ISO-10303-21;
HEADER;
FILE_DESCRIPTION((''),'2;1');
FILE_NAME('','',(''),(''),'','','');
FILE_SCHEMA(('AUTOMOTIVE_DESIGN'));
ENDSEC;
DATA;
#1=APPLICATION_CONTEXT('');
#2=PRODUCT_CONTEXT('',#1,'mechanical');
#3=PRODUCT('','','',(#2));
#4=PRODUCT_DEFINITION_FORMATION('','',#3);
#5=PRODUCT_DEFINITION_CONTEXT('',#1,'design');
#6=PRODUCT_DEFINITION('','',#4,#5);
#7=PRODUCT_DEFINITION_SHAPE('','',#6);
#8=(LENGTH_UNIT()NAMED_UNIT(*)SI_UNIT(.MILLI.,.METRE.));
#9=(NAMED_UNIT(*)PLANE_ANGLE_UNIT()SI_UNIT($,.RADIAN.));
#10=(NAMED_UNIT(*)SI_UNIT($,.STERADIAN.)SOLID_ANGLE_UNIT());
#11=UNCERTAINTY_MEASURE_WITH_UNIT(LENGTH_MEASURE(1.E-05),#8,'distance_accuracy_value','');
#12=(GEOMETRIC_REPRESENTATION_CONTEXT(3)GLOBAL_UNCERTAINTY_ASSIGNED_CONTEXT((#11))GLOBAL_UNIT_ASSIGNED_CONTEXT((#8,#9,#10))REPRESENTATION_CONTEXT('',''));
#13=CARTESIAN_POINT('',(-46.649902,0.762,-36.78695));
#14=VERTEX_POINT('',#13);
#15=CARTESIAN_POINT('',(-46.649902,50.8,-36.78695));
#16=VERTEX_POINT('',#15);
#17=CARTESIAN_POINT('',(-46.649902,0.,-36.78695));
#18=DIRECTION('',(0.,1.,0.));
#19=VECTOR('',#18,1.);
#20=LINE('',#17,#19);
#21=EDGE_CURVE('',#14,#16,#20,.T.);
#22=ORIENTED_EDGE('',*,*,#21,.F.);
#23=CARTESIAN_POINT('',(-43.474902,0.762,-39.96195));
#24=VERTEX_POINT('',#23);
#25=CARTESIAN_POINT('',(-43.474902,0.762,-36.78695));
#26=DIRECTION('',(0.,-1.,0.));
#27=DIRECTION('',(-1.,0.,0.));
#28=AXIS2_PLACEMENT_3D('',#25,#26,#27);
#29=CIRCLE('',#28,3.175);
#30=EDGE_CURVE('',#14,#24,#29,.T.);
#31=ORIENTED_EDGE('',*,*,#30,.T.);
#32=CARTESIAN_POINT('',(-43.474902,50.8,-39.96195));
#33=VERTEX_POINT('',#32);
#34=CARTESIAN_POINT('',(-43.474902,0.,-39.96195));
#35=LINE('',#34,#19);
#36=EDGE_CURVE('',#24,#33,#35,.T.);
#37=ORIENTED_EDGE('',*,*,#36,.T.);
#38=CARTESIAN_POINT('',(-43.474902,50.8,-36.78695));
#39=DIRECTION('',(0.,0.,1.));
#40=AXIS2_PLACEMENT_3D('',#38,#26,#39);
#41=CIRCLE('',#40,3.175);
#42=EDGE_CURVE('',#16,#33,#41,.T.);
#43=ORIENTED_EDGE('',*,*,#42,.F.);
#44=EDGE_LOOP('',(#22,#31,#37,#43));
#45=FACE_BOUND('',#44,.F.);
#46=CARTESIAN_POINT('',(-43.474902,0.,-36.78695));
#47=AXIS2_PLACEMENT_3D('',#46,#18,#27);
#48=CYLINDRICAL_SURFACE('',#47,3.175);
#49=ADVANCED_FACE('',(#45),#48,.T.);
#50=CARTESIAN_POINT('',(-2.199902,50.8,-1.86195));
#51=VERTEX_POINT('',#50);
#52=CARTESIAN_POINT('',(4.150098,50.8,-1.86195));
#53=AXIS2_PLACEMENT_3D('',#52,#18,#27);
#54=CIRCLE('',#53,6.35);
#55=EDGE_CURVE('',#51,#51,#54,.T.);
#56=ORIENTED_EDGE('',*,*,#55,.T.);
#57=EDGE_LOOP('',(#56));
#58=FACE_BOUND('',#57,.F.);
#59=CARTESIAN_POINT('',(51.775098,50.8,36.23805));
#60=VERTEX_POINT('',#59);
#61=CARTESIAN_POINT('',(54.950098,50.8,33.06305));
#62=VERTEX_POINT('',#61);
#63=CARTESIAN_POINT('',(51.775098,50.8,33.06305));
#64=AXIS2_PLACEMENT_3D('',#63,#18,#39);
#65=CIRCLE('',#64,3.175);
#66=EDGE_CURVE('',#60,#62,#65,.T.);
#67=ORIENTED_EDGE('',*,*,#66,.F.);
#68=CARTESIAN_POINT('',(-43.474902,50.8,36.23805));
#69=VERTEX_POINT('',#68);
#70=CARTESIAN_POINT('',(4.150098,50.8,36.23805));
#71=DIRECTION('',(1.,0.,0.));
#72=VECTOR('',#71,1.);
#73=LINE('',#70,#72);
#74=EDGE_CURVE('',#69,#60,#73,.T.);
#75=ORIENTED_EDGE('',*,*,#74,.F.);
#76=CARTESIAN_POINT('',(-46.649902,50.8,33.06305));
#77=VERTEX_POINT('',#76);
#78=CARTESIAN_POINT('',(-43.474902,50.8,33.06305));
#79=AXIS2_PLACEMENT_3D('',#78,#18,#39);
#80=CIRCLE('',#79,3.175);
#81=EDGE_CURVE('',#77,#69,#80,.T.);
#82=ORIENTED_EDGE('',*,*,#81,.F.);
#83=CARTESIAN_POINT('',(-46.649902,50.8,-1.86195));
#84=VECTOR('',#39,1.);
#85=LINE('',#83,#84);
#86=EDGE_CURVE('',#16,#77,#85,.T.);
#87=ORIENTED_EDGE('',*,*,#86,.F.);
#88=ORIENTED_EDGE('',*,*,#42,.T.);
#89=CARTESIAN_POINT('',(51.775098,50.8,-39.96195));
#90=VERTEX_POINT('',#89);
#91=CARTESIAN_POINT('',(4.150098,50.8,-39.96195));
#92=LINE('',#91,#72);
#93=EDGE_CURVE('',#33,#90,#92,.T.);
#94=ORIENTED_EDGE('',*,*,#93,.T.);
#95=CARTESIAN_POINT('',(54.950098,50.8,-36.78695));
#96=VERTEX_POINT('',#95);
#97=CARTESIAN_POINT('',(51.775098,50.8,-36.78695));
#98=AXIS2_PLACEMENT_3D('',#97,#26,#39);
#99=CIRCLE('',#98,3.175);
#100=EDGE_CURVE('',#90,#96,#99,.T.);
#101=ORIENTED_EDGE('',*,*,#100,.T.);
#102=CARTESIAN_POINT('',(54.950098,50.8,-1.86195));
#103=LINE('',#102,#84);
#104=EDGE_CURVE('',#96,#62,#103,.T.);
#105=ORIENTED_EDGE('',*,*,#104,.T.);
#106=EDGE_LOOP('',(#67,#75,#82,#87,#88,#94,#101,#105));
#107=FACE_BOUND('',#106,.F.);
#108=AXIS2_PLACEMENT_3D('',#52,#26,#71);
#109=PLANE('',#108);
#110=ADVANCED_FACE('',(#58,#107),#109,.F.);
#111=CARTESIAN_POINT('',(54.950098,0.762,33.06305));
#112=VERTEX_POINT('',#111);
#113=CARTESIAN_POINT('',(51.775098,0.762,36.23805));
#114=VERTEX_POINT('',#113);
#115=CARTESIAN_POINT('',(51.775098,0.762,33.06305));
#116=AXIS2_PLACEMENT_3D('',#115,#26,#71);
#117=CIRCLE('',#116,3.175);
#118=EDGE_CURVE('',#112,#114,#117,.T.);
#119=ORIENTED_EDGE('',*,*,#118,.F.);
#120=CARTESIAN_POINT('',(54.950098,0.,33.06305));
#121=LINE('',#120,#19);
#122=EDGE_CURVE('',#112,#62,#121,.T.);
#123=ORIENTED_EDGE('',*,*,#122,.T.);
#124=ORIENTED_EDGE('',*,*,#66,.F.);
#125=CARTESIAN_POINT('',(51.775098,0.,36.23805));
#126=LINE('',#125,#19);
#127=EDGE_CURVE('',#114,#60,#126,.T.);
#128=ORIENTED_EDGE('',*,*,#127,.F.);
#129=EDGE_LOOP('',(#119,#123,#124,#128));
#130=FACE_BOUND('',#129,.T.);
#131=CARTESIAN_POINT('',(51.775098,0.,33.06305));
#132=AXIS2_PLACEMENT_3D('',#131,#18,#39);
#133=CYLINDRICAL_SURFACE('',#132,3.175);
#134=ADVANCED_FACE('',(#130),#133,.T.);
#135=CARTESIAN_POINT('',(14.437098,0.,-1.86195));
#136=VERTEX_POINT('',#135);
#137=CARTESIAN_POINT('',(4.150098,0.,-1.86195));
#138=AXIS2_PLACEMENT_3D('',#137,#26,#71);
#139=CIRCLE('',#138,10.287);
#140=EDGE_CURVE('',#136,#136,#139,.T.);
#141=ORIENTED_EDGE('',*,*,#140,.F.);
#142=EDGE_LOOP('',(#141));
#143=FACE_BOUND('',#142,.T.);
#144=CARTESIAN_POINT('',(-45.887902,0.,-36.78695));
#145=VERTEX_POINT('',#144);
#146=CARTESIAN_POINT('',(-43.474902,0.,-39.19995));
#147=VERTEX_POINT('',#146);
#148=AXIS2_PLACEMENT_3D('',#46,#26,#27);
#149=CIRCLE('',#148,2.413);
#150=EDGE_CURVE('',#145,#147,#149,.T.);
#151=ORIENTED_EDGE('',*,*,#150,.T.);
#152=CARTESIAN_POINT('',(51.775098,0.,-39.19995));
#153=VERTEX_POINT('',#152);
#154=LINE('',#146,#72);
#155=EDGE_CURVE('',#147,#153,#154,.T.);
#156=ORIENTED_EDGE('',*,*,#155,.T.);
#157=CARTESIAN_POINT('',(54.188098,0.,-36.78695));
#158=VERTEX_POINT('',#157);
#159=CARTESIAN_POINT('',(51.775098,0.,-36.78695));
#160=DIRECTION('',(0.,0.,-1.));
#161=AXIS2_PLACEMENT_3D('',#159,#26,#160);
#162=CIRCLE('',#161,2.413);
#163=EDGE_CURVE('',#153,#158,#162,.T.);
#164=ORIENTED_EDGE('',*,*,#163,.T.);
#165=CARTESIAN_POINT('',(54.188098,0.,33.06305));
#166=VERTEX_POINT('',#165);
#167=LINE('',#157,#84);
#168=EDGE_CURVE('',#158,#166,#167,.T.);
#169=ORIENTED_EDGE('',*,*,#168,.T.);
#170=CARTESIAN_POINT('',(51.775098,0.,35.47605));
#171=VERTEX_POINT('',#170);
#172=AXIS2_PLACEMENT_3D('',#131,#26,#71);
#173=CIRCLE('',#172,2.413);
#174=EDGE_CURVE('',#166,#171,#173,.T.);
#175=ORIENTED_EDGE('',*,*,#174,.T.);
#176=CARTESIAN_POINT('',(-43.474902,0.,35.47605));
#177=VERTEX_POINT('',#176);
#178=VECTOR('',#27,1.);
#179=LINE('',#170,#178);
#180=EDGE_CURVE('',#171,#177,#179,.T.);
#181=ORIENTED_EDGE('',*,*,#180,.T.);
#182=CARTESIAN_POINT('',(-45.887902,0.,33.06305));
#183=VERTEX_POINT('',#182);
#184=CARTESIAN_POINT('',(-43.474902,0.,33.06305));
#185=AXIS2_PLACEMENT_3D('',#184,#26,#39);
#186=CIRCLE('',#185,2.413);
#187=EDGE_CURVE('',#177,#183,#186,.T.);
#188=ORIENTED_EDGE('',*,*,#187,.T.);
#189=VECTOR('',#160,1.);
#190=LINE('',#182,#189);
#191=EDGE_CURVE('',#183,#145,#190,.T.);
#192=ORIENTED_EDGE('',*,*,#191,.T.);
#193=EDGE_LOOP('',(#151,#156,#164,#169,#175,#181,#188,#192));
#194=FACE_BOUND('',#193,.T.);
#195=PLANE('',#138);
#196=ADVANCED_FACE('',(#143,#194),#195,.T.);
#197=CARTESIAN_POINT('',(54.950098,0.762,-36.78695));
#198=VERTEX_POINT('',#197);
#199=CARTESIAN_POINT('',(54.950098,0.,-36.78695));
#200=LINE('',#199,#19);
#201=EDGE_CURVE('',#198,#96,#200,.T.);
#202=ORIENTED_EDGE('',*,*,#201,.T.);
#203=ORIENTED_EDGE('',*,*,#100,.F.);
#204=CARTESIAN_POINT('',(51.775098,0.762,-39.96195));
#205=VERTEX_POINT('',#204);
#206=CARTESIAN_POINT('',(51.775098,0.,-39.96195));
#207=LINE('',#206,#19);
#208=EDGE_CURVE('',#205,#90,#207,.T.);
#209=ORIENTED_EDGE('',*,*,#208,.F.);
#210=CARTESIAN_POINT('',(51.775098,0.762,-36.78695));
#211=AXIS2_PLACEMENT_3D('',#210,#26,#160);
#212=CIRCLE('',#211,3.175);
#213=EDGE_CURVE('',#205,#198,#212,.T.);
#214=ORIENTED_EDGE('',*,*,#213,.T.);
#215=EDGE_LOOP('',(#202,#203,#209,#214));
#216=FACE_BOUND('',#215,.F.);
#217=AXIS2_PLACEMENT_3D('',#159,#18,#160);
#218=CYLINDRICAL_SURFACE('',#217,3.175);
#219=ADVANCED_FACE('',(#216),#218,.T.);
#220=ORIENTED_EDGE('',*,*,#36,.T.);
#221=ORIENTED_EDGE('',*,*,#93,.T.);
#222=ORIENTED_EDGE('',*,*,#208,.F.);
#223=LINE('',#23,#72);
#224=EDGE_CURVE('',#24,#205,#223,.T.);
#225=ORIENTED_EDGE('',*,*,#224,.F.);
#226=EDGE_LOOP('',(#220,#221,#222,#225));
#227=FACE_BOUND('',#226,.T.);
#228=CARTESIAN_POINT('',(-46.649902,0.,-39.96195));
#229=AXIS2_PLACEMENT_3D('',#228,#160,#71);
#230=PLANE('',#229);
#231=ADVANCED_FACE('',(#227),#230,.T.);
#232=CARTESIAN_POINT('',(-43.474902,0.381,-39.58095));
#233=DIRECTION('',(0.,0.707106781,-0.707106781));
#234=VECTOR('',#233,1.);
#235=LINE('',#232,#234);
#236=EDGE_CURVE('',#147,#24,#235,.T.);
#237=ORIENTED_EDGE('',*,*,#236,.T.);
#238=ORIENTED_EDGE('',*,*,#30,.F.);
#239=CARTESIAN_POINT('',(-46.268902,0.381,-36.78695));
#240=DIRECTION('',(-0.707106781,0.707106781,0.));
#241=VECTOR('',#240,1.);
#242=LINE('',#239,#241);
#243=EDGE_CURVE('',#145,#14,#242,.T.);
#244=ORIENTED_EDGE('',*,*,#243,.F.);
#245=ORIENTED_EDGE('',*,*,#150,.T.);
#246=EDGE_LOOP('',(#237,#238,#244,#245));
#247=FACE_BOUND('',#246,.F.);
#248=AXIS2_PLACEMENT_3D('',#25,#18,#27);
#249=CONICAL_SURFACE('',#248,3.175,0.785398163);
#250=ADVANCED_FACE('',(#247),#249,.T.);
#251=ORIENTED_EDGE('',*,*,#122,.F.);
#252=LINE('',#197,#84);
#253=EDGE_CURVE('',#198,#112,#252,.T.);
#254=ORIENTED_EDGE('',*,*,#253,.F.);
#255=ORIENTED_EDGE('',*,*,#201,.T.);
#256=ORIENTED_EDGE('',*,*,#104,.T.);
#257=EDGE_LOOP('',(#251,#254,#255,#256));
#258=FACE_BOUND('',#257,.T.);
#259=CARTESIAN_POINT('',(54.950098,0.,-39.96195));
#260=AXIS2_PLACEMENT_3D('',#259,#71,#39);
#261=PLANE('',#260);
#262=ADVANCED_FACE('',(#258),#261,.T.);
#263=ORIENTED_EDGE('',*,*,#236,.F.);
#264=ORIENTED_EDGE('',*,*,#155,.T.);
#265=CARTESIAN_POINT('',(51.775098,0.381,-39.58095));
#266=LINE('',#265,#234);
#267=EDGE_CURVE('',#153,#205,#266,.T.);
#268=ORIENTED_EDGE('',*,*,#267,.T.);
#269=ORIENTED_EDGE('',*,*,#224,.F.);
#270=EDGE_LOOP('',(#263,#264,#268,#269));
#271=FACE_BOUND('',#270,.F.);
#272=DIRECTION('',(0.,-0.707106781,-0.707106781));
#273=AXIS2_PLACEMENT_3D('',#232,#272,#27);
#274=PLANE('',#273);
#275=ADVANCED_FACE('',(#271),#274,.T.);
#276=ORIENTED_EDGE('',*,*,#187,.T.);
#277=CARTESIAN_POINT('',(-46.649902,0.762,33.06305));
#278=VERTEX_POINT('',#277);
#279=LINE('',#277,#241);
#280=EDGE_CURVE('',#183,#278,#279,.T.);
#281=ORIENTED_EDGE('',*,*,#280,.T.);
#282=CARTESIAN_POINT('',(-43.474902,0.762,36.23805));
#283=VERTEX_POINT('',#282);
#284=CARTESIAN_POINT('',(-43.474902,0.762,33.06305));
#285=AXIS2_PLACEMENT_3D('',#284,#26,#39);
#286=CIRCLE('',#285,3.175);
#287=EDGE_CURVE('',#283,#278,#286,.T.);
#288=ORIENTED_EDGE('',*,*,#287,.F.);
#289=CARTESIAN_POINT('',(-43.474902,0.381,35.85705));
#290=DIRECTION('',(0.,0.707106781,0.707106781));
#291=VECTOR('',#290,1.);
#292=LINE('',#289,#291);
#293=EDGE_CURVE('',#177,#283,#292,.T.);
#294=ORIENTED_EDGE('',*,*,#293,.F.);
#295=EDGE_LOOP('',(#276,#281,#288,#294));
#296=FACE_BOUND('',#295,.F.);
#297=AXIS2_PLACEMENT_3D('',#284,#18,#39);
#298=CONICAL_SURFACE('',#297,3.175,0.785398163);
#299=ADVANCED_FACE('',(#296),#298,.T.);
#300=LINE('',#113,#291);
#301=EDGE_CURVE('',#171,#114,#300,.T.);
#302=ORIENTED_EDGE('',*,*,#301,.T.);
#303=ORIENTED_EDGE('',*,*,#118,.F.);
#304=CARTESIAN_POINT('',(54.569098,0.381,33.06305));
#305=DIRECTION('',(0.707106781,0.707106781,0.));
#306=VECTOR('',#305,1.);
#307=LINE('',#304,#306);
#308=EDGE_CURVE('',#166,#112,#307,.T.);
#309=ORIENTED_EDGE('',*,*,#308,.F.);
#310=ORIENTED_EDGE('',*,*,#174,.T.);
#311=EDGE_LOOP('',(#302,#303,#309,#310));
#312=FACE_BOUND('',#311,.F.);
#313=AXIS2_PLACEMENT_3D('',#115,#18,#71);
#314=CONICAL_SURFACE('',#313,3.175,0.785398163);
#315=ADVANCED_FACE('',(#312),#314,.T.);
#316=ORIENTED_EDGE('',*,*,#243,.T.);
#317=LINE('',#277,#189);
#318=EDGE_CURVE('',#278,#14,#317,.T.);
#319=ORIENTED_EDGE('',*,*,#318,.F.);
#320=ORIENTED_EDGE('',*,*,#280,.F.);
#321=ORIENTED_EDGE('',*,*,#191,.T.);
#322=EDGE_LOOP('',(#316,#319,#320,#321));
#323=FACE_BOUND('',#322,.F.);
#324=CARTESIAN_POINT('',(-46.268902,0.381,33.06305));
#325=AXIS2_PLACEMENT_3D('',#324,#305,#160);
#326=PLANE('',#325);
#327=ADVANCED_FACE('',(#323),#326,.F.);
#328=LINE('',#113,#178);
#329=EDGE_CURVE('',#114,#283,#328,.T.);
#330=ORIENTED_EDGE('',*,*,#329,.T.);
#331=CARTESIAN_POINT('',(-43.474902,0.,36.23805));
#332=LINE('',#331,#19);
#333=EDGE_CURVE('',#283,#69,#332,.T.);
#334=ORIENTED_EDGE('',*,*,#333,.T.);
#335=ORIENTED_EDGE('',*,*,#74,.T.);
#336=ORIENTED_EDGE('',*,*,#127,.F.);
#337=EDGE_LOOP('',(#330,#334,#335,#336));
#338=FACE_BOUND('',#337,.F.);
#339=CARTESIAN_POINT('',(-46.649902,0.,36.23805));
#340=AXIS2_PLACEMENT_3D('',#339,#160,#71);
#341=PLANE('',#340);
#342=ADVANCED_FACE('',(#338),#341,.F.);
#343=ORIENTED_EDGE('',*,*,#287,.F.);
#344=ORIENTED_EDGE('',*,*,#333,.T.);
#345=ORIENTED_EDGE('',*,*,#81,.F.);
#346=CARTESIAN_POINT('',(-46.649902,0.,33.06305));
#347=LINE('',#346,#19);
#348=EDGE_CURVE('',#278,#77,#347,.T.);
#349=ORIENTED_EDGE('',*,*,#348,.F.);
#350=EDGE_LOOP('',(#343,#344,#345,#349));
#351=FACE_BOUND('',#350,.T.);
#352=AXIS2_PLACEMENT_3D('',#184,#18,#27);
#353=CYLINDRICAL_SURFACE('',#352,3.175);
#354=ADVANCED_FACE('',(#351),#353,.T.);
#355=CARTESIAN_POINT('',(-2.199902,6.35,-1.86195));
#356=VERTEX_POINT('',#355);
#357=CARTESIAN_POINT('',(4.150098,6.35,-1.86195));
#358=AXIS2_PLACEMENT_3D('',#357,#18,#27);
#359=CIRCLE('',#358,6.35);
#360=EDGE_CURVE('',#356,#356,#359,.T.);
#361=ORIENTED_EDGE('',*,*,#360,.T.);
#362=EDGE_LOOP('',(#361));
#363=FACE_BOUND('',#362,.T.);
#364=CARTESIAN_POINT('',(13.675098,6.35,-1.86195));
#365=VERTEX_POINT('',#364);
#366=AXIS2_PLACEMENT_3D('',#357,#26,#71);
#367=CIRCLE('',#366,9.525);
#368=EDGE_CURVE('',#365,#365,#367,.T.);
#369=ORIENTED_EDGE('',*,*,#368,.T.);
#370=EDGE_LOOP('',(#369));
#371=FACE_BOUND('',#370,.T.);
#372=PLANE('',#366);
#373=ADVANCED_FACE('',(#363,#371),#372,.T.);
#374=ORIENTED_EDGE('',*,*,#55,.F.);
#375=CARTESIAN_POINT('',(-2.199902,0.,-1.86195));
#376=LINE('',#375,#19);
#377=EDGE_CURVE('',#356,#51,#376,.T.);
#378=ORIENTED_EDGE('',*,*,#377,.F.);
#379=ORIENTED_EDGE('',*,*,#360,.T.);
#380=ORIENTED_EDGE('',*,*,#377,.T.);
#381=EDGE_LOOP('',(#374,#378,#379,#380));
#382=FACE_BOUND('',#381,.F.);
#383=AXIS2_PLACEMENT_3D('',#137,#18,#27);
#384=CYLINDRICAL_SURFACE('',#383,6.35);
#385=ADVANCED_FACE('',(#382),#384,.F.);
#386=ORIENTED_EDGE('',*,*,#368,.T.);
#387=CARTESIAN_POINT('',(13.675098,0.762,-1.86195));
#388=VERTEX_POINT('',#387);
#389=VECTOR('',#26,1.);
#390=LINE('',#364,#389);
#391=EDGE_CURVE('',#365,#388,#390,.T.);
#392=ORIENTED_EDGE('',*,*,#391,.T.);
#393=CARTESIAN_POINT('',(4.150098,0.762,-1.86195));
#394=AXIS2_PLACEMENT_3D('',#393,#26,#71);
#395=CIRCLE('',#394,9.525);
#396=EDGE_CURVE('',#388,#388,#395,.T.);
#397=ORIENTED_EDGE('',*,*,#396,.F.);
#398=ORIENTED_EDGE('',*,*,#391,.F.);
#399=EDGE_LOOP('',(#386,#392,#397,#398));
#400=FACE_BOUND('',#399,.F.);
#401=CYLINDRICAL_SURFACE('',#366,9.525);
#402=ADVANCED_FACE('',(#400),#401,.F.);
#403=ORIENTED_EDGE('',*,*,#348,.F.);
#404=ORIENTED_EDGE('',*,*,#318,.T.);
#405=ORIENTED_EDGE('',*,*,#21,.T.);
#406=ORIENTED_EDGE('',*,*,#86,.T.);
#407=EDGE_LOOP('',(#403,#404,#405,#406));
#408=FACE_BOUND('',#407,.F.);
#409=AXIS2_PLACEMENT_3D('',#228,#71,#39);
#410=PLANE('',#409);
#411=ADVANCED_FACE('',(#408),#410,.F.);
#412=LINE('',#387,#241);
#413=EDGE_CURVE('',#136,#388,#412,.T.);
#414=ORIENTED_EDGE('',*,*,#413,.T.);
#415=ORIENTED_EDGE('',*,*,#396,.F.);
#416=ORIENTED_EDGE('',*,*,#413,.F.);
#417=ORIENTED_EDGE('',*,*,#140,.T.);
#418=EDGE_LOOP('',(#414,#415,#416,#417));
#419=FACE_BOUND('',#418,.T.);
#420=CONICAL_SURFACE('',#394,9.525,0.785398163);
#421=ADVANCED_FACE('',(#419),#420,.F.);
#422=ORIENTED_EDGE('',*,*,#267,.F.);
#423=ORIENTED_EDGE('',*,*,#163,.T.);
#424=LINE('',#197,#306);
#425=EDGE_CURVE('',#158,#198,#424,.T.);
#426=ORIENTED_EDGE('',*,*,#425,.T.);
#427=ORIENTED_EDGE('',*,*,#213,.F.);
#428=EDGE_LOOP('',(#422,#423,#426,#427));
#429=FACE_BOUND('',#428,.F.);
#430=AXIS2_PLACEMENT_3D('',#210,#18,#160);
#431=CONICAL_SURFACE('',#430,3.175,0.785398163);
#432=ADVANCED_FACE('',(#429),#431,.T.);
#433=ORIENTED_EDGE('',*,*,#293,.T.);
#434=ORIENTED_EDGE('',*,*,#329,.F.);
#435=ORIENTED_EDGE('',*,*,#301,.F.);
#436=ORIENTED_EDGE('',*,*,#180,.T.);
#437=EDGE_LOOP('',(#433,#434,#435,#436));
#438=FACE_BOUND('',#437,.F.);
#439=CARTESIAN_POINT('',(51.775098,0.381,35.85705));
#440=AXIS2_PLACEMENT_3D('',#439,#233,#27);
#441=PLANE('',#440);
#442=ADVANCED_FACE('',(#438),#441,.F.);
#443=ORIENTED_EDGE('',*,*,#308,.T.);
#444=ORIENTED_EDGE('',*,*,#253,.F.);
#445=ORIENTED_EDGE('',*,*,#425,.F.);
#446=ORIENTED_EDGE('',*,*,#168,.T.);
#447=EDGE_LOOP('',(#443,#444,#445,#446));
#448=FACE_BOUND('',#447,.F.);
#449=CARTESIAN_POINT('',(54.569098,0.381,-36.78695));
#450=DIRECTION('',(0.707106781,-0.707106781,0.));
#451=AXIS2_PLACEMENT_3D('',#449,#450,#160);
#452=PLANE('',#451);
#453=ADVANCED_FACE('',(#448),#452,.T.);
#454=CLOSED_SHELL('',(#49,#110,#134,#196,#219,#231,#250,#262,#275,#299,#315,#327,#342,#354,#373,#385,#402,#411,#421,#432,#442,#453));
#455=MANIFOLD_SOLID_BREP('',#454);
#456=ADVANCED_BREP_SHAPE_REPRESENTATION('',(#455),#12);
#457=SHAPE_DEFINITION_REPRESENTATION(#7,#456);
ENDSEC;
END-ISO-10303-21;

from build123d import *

# Parameters (mm, degrees)
F0_W           = 101.6
F0_H           = 76.2
F1_DEPTH       = 50.8
F3_D           = 12.7
F3_CBORE_D     = 19.05
F3_CBORE_DEPTH = 6.35
F4_R           = 3.175
F5_SIZE        = 0.762


with BuildPart() as f1:
    # F0 (on Front) → F1 (new body)
    with BuildSketch(Plane.XZ):
        with Locations((4.1500981897, -1.8619502484)):
            Rectangle(F0_W, F0_H)
    extrude(amount=-F1_DEPTH)

    # F3 (through all)
    with Locations(Plane.XZ):
        with Locations((4.1500981897, -1.8619502484)):
            CounterBoreHole(F3_D / 2, F3_CBORE_D / 2, F3_CBORE_DEPTH)

    # F4
    f4_edges = [f1.edges().sort_by_distance(p)[0] for p in [
        (54.950098, 25.4, 36.23805),
        (-46.649902, 25.4, 36.23805),
        (54.950098, 25.4, -39.96195),
        (-46.649902, 25.4, -39.96195),
    ]]
    fillet(f4_edges, radius=F4_R)

    # F5
    f5_edges = [f1.edges().sort_by_distance(p)[0] for p in [
        (4.150098, 0, -39.96195),
        (-45.719966, 0, -39.032014),
        (54.020162, 0, -39.032014),
        (-46.649902, 0, -1.86195),
        (54.950098, 0, -1.86195),
        (-45.719966, 0, 35.308114),
        (54.020162, 0, 35.308114),
        (4.150098, 0, 36.23805),
        (-5.374902, 0, -1.86195),
    ]]
    chamfer(f5_edges, length=F5_SIZE)


solid = f1.part
